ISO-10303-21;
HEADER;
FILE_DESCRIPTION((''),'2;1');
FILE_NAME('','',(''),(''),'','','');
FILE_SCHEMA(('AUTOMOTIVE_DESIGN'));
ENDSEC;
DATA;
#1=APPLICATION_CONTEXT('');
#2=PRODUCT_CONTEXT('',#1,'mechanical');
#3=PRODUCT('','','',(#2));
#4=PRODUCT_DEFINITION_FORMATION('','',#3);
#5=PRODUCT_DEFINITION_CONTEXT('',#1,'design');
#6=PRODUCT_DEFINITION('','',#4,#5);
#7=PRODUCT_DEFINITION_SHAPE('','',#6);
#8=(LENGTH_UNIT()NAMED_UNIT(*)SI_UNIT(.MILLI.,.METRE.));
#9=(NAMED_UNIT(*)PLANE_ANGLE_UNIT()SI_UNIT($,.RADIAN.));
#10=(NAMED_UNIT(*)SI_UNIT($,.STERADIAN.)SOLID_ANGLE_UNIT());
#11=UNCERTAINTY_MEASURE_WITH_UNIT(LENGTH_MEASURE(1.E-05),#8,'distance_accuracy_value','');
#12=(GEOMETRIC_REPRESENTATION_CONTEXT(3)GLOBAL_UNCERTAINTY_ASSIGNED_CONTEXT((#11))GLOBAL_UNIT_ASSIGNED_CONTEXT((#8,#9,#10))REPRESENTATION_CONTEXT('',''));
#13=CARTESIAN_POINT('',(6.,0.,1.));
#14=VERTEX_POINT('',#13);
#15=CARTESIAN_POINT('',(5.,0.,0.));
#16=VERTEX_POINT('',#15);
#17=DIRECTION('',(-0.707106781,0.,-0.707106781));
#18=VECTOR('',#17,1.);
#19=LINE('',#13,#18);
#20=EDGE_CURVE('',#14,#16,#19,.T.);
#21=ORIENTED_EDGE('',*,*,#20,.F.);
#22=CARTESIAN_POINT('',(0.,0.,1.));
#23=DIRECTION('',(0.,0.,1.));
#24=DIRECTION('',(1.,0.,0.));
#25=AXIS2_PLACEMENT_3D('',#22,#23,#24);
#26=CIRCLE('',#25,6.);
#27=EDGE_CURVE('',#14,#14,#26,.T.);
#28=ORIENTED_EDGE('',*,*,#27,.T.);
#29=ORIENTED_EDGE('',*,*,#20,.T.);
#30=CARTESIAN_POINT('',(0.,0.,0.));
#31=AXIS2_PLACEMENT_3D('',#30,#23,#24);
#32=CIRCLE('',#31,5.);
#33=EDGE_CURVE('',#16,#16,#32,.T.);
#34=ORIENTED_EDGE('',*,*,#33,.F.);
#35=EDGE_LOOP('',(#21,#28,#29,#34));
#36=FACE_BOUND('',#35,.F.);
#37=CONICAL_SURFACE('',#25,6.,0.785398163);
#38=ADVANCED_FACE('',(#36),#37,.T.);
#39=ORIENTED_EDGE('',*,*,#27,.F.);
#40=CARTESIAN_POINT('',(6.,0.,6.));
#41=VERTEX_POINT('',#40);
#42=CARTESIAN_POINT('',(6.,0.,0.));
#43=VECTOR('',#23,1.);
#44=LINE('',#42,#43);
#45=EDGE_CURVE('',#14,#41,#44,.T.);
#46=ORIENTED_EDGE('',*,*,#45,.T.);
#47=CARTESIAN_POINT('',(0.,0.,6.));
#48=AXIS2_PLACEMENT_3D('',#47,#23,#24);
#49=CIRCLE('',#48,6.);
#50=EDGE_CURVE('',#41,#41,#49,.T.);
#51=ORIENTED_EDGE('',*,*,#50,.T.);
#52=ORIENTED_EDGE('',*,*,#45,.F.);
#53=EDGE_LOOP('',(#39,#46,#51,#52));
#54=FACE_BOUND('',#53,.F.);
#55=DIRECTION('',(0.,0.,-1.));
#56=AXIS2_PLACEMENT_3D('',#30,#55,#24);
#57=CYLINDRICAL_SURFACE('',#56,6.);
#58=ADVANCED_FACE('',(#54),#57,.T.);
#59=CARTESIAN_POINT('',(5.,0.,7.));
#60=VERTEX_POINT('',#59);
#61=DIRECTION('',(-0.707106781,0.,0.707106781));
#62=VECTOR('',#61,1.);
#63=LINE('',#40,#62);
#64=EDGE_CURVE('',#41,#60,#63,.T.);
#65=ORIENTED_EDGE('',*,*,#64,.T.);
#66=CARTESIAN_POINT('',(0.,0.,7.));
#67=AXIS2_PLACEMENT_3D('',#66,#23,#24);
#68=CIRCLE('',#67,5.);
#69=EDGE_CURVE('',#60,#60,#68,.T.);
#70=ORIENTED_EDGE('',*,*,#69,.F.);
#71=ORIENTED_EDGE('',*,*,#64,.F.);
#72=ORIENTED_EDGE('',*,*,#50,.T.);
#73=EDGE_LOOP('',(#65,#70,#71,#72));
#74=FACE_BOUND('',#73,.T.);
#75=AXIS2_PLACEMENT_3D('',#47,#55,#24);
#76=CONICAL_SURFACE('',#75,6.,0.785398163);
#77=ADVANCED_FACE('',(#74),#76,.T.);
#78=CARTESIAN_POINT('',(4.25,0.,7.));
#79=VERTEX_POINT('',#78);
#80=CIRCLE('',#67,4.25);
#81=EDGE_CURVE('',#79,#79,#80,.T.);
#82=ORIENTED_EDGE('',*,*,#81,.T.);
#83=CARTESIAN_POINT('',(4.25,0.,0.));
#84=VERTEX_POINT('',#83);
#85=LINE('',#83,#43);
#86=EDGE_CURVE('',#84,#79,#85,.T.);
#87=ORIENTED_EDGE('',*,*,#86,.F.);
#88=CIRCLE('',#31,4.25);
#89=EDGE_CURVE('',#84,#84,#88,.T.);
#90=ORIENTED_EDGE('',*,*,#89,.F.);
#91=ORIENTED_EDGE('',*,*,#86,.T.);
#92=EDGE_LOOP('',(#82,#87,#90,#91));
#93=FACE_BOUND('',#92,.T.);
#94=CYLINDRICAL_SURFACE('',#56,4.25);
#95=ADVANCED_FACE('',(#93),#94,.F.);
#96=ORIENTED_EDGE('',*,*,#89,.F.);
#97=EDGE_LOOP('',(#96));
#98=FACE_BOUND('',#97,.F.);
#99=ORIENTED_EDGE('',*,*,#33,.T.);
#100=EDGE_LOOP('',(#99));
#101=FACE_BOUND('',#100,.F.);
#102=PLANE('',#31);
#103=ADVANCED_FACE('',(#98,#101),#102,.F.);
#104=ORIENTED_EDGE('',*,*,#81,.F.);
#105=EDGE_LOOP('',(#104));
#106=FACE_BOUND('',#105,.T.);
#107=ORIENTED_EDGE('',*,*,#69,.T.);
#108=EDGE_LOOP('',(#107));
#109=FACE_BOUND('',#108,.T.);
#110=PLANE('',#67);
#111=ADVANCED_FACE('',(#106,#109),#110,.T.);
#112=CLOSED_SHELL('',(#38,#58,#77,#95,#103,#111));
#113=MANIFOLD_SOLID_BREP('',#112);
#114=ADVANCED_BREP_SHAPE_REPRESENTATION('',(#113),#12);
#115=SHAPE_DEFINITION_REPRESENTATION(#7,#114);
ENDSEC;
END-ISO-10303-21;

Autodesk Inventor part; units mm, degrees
ref_plane "YZ Plane" through (0, 0, 0) normal (1, 0, 0) x (0, 1, 0)
ref_plane "XZ Plane" through (0, 0, 0) normal (0, 1, 0) x (-1, 0, 0)
ref_plane "XY Plane" through (0, 0, 0) normal (0, 0, 1) x (1, 0, 0)
sketch "スケッチ1" plane through (0, 0, 0) normal (0, 0, 1) x (1, 0, 0)
  circle A0 centre (0, 0) radius 4.25
  circle A1 centre (0, 0) radius 6
  dimension "d0" = 8.5
  dimension "d1" = 12
extrude "押し出し1" add sketch "スケッチ1" along normal blind 7
chamfer "面取り1" distance 1 angle 45 2 edges at (-6, 0, 7) (-6, 0, 0)
properties part number "入力駆動ギアスペーサ"
